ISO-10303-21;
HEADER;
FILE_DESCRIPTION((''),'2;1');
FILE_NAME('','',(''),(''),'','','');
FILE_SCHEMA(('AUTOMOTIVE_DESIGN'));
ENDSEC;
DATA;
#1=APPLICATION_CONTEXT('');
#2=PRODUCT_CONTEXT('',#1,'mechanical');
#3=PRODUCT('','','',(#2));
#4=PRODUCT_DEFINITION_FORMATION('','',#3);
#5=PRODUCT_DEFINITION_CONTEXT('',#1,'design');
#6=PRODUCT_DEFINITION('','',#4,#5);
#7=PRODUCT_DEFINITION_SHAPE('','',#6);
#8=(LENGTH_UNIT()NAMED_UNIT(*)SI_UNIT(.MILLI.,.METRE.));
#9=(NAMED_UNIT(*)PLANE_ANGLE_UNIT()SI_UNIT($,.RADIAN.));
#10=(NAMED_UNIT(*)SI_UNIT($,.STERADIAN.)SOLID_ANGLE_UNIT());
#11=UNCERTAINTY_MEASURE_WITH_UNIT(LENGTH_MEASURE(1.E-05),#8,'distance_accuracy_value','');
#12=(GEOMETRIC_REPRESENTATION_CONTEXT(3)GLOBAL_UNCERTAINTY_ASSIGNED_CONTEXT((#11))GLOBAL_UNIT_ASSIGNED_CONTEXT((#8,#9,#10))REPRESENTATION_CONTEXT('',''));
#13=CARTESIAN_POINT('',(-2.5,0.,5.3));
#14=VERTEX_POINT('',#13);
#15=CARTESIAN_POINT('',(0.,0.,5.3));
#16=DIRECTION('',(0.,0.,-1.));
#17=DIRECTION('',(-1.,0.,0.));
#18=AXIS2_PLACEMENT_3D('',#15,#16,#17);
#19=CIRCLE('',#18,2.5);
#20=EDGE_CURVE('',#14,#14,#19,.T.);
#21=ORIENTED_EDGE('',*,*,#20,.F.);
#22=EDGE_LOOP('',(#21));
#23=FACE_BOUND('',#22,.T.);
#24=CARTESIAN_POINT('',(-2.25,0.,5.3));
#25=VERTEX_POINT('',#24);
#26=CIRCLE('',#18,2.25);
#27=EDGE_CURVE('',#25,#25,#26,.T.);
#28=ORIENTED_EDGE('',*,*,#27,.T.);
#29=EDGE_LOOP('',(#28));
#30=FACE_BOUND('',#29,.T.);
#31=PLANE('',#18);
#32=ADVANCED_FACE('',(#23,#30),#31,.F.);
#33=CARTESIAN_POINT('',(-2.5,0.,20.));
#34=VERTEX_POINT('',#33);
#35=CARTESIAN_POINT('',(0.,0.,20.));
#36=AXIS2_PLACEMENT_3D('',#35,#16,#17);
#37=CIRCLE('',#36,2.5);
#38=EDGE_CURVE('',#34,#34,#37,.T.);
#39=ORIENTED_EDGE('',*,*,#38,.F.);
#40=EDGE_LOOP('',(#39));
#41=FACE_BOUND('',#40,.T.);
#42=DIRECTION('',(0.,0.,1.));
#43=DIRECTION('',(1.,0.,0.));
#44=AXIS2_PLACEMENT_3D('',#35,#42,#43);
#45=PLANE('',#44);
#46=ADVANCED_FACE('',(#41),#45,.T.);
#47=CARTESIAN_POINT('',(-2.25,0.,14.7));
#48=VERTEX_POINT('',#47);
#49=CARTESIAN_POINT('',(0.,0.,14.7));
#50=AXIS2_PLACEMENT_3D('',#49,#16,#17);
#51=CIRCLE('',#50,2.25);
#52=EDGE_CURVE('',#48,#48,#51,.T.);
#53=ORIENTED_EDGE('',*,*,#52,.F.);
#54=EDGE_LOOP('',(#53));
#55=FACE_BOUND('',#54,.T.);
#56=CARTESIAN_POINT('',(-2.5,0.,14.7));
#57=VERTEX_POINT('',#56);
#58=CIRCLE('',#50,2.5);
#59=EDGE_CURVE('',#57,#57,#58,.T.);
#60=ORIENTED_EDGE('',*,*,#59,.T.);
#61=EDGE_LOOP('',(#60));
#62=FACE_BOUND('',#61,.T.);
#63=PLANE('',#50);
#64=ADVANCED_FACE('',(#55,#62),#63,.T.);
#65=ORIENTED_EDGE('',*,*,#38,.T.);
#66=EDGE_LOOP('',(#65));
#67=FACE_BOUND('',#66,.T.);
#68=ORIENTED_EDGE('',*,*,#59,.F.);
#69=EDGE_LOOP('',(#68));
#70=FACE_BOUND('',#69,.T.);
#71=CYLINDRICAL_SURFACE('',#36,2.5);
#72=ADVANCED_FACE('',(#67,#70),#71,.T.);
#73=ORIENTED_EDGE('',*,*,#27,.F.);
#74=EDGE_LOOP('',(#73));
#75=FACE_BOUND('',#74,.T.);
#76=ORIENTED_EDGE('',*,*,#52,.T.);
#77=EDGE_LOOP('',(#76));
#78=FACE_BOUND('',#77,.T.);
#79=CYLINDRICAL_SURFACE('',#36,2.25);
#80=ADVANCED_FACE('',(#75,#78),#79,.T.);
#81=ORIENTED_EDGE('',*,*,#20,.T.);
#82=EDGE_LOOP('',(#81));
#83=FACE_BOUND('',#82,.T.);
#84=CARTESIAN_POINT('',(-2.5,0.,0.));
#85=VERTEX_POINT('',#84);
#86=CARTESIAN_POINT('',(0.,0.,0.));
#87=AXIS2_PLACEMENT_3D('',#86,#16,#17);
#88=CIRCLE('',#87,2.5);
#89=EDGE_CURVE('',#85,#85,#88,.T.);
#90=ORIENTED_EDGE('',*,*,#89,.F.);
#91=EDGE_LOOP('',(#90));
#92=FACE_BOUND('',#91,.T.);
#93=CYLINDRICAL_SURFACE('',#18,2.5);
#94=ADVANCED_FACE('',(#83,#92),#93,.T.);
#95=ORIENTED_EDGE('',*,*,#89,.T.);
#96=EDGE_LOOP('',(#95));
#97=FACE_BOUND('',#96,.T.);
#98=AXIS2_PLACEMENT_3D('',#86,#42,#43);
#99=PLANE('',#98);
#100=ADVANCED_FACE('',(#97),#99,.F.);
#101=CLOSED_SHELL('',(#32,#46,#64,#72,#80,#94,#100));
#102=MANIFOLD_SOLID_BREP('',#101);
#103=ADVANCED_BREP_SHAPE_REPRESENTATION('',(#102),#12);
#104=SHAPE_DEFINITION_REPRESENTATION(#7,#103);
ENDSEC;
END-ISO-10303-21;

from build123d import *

# Parameters (mm, degrees)
SKETCH1_R           = 2.25
BOSS_EXTRUDE1_DEPTH = 20
SKETCH2_R           = 2.5
BOSS_EXTRUDE2_DEPTH = 5.3
BOSS_EXTRUDE3_START = -14.7
SKETCH2_2_R         = 2.5
BOSS_EXTRUDE3_DEPTH = 5.3


with BuildPart() as part:
    # Sketch1 → Boss-Extrude1 (new body)
    with BuildSketch(Plane.XY):
        Circle(SKETCH1_R)
    extrude(amount=BOSS_EXTRUDE1_DEPTH)

    # Sketch2 → Boss-Extrude2 (add)
    with BuildSketch(Plane(origin=(0, 0, 0), x_dir=(-1, 0, 0), z_dir=(0, 0, -1))):
        Circle(SKETCH2_R)
    extrude(amount=-BOSS_EXTRUDE2_DEPTH)

    # Sketch2<2> → Boss-Extrude3 (add)
    with BuildSketch(Plane(origin=(0, 0, 0), x_dir=(-1, 0, 0), z_dir=(0, 0, -1)).offset(BOSS_EXTRUDE3_START)):
        Circle(SKETCH2_2_R)
    extrude(amount=-BOSS_EXTRUDE3_DEPTH)


solid = part.part
